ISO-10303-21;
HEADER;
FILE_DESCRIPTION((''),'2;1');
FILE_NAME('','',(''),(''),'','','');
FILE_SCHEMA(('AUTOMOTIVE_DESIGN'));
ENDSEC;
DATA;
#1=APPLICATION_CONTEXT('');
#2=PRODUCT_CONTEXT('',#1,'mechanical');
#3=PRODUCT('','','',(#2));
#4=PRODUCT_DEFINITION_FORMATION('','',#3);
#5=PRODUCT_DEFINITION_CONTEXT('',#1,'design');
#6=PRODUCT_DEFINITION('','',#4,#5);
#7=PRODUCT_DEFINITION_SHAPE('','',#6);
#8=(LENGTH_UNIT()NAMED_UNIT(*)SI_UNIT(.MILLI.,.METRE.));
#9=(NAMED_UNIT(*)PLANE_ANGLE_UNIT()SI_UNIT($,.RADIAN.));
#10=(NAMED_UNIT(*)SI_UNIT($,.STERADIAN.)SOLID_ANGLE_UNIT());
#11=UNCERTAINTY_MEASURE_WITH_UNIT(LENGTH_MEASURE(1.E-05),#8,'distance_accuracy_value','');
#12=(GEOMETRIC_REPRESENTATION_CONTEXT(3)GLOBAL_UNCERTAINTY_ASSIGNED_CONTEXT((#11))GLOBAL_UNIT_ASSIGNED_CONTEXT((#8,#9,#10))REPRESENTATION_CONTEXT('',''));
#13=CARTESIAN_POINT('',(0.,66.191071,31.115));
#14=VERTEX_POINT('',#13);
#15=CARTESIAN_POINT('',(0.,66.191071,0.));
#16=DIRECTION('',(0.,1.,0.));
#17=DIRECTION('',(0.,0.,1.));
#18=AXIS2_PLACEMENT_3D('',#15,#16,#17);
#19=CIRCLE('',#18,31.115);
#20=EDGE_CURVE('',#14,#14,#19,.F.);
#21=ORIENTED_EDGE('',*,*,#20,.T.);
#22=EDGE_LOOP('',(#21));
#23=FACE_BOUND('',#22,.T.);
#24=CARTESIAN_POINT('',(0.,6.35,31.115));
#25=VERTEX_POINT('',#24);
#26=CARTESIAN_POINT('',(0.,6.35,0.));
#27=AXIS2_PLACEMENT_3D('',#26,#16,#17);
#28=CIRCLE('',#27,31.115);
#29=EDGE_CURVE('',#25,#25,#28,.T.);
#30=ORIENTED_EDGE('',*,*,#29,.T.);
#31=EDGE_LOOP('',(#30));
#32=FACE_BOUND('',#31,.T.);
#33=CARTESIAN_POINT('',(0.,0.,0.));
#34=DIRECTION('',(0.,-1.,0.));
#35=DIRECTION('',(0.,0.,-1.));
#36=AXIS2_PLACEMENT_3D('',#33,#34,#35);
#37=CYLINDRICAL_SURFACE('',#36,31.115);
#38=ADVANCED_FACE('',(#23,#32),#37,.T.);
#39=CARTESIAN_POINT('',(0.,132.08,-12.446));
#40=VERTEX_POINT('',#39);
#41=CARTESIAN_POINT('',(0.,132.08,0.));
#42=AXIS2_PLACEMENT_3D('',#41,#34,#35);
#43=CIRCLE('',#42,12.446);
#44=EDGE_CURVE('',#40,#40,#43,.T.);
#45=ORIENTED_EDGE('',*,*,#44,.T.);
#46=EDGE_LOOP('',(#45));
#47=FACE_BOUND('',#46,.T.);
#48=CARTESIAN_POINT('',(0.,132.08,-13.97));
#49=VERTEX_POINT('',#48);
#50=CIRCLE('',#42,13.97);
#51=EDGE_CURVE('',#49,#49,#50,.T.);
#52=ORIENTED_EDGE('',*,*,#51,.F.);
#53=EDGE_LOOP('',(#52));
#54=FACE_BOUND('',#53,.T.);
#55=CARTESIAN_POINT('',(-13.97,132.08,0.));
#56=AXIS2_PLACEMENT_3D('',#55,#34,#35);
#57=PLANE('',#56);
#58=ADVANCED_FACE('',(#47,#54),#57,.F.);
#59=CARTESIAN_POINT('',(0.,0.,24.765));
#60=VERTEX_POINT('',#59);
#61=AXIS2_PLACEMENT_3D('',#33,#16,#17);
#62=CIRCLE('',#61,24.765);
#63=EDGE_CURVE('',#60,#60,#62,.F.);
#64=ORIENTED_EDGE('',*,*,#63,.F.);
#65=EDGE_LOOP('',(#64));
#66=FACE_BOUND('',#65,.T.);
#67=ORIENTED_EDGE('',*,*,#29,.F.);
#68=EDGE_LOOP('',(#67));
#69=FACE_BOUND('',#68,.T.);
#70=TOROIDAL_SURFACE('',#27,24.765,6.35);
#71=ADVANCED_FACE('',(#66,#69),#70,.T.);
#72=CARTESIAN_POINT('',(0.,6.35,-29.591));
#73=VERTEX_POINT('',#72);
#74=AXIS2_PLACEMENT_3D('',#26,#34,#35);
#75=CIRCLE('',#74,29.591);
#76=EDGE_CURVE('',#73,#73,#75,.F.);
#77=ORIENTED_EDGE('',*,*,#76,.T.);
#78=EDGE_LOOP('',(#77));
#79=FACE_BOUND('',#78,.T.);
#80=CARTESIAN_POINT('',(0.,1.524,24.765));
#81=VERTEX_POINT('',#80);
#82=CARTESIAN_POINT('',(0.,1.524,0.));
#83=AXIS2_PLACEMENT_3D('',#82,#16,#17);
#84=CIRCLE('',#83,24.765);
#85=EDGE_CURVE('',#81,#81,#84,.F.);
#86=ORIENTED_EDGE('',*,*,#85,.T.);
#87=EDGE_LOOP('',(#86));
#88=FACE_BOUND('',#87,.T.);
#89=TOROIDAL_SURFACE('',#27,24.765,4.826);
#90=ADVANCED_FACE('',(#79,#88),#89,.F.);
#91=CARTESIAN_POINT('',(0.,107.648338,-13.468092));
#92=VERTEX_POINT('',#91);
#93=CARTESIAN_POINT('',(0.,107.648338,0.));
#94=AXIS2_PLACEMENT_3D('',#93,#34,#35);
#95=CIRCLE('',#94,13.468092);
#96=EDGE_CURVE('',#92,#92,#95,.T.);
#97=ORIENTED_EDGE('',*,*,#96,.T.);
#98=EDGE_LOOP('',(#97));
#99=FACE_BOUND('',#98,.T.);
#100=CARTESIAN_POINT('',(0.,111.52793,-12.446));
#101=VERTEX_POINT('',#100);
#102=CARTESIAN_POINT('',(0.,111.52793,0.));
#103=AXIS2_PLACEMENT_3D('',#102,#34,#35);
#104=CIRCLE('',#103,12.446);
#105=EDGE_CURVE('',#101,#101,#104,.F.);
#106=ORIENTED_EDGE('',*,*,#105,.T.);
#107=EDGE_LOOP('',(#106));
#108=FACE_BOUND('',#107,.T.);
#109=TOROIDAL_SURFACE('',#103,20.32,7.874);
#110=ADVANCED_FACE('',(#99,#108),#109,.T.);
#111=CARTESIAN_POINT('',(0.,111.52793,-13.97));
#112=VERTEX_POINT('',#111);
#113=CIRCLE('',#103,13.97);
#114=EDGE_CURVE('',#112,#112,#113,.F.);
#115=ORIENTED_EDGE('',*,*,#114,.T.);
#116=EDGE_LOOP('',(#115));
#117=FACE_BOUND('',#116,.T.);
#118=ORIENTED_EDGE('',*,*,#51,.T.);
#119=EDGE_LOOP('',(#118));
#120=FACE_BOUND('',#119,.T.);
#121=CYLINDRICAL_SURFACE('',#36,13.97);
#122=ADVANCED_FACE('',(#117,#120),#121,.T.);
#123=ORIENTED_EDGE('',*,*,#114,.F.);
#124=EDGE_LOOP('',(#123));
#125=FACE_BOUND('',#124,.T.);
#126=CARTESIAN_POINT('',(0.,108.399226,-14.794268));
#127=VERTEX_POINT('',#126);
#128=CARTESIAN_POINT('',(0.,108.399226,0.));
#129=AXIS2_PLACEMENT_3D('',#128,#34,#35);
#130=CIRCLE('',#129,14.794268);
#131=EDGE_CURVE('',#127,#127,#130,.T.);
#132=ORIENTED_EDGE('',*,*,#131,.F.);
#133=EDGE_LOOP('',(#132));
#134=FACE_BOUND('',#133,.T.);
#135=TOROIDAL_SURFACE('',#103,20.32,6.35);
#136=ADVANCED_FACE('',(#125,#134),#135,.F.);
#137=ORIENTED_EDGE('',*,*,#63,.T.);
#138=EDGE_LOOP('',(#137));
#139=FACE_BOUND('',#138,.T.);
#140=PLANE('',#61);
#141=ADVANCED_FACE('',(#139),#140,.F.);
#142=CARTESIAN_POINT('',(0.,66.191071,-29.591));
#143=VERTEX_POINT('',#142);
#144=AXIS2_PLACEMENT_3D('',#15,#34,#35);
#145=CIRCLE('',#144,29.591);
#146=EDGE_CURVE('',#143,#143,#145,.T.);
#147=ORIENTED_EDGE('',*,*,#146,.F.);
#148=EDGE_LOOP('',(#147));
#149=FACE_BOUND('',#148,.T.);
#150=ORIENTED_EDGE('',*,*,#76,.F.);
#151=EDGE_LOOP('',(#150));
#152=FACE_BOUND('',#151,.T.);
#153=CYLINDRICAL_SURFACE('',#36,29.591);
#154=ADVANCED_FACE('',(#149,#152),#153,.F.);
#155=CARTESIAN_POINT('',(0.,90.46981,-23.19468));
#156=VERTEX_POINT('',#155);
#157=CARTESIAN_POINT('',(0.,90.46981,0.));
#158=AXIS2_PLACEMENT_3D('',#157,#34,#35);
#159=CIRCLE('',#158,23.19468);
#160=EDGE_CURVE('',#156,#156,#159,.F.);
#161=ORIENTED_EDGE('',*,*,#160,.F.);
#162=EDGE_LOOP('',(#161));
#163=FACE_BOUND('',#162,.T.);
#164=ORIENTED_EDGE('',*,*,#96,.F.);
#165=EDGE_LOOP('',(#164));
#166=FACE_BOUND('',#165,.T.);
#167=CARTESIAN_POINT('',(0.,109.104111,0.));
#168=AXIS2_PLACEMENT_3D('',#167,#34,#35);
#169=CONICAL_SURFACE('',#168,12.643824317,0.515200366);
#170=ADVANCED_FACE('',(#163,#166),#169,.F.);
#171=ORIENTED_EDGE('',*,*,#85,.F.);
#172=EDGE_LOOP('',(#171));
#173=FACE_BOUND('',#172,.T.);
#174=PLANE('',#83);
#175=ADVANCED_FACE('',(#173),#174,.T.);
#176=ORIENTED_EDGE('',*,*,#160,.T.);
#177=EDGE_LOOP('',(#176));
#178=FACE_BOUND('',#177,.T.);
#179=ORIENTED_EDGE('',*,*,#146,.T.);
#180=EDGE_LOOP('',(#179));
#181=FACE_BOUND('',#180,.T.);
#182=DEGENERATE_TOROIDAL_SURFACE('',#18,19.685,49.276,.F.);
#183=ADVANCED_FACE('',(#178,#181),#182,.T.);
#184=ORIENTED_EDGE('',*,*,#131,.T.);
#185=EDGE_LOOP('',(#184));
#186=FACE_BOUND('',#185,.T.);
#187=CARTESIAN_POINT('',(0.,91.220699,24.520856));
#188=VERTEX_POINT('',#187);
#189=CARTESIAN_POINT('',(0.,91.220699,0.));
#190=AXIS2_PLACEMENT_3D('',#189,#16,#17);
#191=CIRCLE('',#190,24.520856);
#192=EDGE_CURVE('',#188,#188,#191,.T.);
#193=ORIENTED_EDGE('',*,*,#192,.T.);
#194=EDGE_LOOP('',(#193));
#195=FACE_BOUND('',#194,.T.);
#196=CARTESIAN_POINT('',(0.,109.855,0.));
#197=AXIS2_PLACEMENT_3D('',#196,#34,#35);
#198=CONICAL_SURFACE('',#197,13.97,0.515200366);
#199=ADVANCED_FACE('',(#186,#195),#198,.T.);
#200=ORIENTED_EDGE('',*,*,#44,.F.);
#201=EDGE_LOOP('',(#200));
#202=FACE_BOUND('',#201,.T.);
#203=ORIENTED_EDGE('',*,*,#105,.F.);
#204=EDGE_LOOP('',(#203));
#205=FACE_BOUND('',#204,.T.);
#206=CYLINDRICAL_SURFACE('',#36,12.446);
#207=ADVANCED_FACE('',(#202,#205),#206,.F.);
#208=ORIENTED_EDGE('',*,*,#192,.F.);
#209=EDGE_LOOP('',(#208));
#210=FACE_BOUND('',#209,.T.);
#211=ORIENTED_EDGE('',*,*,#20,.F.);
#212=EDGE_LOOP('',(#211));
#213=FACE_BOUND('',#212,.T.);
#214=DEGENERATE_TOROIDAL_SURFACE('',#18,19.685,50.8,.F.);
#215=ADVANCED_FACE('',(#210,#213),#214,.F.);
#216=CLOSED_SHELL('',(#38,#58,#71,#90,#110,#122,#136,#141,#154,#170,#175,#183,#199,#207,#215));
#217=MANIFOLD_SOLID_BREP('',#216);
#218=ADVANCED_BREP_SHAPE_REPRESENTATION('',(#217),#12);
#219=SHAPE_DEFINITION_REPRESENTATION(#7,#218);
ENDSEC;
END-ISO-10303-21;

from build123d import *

# Parameters (mm, degrees)
FILLET1_R = 6.35
FILLET2_R = 50.8
SHELL1_T  = -1.524


with BuildPart() as part:
    # Sketch1 → Revolve1 (revolve)
    with BuildSketch(Plane.XY, mode=Mode.PRIVATE) as revolve1_sk:
        Polygon((0, 0), (0, 132.08), (-13.97, 132.08), (-13.97, 109.855), (-31.115, 79.574510135), (-31.115, 0), align=None)
    revolve(revolve1_sk.sketch.rotate(Axis((0, 0, 0), (0, 1, 0)), 270), axis=Axis((0, 0, 0), (0, 1, 0)))

    # Fillet1
    fillet1_edges = [part.edges().sort_by_distance(p)[0] for p in [
        (0, 109.855, 13.97),
        (0, 0, 31.115),
    ]]
    fillet(fillet1_edges, radius=FILLET1_R)

    # Fillet2
    fillet2_edges = [part.edges().sort_by_distance(p)[0] for p in [
        (0, 79.574510135, 31.115),
    ]]
    fillet(fillet2_edges, radius=FILLET2_R)

    # Shell1
    shell1_openings = [part.faces().sort_by_distance(p)[0] for p in [
        (0, 132.08, 0),
    ]]
    offset(amount=SHELL1_T, openings=shell1_openings, kind=Kind.INTERSECTION)


solid = part.part
